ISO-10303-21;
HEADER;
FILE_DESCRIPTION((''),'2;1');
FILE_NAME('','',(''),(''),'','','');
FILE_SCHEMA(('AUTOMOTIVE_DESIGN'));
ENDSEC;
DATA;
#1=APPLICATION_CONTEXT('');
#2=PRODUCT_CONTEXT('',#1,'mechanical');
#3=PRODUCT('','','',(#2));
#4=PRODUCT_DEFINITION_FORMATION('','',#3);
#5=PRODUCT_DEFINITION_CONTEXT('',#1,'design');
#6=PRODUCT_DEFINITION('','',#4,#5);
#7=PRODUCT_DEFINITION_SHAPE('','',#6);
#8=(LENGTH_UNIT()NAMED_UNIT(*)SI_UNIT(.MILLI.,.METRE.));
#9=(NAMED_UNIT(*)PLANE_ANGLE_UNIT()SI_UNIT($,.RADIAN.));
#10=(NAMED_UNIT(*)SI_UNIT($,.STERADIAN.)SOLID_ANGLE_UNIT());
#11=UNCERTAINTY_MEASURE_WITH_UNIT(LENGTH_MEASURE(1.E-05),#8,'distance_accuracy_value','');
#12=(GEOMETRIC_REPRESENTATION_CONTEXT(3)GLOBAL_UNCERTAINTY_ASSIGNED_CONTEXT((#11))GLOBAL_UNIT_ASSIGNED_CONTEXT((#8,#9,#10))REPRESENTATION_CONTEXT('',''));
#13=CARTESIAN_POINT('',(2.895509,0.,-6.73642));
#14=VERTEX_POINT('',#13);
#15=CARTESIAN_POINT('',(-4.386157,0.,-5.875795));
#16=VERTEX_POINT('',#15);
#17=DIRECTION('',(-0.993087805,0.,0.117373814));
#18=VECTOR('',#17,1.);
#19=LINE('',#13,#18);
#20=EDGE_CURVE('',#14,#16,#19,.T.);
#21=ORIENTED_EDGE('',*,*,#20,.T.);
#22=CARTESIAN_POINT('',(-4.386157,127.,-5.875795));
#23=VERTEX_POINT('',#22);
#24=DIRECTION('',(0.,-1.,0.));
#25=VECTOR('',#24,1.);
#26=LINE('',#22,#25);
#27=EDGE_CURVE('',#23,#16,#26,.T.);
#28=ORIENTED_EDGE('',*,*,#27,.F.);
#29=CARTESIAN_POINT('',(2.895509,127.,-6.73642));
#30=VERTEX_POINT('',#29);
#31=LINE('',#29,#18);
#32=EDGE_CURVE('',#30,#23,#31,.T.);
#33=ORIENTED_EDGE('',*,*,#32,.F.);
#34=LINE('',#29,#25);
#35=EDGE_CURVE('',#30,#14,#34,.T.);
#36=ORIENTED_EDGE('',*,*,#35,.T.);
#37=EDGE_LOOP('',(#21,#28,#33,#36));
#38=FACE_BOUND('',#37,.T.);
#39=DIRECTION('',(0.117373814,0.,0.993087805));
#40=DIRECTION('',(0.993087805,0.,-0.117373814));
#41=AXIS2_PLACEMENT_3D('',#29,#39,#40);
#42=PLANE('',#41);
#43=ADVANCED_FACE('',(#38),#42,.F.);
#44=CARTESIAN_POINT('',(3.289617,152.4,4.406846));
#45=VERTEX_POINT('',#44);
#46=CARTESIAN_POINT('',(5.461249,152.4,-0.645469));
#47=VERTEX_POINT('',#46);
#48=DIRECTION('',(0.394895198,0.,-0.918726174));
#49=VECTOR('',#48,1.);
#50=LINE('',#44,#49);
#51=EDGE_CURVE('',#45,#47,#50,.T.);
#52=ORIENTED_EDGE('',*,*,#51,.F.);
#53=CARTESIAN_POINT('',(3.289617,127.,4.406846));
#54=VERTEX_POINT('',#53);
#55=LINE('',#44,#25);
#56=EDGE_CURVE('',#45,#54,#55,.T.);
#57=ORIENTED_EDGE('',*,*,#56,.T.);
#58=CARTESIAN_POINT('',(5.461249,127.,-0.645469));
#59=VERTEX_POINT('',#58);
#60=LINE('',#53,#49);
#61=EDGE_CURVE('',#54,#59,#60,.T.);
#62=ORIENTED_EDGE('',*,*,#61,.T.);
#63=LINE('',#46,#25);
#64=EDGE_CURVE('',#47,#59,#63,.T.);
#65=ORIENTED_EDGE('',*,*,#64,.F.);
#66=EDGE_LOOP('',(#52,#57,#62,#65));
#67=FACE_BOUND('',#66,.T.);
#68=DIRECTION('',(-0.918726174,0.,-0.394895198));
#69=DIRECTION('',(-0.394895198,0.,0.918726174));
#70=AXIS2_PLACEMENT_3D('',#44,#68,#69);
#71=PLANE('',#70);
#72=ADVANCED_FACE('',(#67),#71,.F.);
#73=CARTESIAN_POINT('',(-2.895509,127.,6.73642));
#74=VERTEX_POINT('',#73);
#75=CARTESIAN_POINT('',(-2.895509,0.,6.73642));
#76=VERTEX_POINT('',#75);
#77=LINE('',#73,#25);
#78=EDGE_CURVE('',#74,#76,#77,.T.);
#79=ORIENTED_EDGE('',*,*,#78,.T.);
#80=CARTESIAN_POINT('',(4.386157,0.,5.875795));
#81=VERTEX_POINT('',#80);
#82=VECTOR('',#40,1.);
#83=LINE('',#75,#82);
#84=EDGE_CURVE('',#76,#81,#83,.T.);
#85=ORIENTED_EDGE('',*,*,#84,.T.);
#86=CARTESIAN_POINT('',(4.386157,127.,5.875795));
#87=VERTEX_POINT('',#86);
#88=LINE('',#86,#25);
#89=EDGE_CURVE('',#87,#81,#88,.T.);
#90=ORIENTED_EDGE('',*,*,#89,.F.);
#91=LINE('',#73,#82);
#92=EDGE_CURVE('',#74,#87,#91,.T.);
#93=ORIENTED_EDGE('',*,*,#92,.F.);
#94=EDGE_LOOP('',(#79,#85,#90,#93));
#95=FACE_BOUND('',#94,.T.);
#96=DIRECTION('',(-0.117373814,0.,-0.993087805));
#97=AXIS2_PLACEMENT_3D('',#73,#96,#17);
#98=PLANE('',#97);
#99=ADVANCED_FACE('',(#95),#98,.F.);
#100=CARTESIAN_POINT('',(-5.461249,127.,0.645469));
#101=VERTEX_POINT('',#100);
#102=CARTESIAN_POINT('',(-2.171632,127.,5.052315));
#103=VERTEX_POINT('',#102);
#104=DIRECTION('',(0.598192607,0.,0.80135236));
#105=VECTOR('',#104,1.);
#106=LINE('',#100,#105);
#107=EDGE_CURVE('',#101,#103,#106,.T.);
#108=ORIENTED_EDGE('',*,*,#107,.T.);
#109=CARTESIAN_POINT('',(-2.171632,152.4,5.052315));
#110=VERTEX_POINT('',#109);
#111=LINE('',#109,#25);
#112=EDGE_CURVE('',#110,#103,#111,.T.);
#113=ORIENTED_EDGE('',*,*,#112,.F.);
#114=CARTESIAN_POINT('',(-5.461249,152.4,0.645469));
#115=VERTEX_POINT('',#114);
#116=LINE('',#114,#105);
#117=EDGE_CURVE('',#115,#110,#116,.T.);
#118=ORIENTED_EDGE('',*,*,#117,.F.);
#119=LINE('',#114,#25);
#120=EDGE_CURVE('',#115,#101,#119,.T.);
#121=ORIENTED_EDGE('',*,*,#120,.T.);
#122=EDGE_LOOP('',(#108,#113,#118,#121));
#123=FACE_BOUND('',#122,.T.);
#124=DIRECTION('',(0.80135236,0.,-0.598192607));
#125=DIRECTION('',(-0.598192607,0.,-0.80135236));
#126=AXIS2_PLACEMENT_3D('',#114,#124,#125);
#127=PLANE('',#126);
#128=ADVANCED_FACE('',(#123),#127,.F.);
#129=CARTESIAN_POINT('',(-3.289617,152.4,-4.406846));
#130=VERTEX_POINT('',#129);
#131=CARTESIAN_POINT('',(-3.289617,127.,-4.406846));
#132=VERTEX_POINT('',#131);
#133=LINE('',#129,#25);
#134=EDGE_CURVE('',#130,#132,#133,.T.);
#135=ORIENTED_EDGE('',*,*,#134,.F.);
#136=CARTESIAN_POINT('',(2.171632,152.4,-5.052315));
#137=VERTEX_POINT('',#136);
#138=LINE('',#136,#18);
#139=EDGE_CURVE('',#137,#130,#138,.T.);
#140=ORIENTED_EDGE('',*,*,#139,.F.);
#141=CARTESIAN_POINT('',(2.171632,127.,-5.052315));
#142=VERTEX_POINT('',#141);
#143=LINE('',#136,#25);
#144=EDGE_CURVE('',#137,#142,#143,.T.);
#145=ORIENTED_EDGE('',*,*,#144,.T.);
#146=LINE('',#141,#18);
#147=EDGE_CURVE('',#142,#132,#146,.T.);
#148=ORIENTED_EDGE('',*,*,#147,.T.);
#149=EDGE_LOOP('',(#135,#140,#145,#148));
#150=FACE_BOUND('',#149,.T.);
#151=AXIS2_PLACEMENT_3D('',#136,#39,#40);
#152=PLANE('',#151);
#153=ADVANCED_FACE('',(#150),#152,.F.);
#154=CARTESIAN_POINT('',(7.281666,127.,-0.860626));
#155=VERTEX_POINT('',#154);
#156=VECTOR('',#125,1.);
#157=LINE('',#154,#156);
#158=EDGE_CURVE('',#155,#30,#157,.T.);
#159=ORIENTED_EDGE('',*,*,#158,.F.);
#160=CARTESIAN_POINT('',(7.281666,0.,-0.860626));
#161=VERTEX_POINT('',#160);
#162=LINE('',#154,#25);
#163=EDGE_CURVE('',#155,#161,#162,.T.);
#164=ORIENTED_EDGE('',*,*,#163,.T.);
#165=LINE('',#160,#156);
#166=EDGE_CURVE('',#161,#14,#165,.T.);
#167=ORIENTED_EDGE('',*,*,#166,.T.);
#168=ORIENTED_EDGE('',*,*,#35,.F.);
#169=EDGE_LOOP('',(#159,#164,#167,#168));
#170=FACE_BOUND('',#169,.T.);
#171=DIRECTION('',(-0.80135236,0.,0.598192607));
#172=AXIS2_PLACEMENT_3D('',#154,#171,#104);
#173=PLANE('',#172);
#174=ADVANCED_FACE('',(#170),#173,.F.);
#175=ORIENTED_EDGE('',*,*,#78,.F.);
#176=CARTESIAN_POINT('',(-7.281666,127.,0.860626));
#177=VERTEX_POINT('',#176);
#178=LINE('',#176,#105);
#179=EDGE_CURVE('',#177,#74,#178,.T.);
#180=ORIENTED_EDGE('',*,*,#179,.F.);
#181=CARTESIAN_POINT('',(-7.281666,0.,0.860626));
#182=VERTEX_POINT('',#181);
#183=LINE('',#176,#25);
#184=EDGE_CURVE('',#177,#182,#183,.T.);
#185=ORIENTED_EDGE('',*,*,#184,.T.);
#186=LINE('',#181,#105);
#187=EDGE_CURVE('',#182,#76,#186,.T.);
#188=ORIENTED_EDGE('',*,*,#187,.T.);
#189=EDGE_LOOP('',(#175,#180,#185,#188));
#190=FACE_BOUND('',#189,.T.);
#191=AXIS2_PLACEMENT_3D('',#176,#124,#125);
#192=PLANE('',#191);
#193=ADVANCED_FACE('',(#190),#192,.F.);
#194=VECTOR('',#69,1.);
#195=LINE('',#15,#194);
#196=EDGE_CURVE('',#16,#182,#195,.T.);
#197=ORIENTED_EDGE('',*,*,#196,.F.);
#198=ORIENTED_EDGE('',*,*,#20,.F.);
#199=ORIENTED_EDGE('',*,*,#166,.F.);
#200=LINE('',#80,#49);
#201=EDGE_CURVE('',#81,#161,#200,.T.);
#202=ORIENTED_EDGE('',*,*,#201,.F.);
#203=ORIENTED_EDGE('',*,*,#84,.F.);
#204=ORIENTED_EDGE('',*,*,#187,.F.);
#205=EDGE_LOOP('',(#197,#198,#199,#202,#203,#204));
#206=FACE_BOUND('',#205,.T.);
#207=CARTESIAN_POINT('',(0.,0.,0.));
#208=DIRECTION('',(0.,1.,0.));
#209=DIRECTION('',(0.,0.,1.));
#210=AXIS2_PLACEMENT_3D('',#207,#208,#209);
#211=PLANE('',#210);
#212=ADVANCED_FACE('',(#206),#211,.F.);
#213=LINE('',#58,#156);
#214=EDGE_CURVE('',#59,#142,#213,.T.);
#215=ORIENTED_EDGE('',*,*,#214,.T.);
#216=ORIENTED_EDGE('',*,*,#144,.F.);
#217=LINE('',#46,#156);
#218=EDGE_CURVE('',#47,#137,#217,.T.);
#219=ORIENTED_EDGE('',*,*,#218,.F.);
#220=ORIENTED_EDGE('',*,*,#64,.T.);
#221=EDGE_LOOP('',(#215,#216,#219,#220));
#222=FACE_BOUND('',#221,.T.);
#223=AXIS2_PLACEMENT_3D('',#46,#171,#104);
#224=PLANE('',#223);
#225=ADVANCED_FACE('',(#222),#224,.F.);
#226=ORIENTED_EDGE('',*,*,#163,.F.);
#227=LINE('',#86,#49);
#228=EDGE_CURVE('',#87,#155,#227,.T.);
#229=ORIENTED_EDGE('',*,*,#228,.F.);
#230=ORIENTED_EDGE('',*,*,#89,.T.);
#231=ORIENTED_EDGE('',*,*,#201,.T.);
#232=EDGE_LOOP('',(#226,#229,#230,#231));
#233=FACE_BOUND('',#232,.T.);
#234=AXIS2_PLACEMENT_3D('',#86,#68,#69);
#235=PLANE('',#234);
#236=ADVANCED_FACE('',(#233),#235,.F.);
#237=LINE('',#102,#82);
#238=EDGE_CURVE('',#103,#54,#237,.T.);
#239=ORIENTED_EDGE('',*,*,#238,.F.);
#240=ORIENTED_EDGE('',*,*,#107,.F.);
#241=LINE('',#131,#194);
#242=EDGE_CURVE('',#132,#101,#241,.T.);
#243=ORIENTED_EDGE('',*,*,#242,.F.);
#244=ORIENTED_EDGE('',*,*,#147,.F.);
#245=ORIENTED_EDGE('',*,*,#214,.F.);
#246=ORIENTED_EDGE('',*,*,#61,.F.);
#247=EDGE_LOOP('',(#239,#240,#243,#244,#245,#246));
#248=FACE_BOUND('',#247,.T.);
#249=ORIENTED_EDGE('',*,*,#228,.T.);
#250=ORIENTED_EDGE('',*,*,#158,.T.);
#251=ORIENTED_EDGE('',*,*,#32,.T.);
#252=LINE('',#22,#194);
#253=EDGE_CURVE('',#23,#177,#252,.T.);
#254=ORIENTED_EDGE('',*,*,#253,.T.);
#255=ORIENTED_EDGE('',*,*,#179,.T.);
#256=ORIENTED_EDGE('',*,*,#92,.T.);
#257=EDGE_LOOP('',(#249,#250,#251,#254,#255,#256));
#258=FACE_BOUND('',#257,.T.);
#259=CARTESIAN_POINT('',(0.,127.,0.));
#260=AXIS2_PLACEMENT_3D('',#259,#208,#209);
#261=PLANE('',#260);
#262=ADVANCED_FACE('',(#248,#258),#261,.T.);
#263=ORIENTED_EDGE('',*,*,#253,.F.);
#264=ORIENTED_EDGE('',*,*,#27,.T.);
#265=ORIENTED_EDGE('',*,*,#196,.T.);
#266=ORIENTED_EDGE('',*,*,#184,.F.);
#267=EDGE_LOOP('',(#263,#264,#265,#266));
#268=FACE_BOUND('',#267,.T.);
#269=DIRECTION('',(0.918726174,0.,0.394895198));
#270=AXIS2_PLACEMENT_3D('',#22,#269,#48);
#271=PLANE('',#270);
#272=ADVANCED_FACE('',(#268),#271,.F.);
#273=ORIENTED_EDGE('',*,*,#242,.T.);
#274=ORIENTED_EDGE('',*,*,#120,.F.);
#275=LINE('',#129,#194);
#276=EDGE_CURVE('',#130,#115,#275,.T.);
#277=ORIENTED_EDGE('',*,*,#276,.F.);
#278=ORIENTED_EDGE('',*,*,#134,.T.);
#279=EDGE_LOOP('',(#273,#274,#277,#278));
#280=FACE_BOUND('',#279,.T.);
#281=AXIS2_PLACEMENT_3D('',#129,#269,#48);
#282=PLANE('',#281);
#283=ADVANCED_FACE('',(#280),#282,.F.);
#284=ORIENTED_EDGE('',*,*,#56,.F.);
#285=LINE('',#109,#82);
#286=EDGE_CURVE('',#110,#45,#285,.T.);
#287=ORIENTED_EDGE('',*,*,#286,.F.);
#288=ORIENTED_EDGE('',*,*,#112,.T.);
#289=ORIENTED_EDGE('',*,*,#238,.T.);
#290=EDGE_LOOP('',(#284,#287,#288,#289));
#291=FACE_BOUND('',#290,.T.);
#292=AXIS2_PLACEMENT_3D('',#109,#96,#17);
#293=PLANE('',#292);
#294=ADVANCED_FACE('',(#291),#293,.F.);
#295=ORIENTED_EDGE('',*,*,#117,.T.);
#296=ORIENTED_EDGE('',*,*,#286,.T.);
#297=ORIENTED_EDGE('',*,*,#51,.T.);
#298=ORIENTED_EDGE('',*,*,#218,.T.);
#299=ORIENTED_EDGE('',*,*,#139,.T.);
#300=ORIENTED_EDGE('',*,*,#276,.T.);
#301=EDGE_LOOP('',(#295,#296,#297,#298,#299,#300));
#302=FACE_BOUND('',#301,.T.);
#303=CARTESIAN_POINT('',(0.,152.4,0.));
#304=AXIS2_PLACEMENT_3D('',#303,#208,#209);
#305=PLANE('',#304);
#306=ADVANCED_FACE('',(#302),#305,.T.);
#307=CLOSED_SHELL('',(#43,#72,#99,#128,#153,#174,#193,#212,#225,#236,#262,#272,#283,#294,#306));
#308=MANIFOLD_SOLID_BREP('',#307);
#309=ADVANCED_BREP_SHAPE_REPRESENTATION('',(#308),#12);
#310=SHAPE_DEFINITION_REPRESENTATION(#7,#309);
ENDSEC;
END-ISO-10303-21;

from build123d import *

# Parameters (mm, degrees)
BOSS_EXTRUDE1_DEPTH = 127
BOSS_EXTRUDE2_DEPTH = 25.4


with BuildPart() as part:
    # Sketch1 → Boss-Extrude1 (new body)
    with BuildSketch(Plane(origin=(0, 0, 0), x_dir=(1, 0, 0), z_dir=(0, 1, 0))):
        Polygon((4.386156615, -5.875794711), (7.281665794, 0.860625698), (2.895509179, 6.736420409), (-4.386156615, 5.875794711), (-7.281665794, -0.860625698), (-2.895509179, -6.736420409), align=None)
    extrude(amount=BOSS_EXTRUDE1_DEPTH)

    # Sketch2 → Boss-Extrude2 (add)
    with BuildSketch(Plane(origin=(0, 127, 0), x_dir=(1, 0, 0), z_dir=(0, 1, 0))):
        Polygon((5.461249346, 0.645469274), (2.171631885, 5.052315307), (-3.289617461, 4.406846033), (-5.461249346, -0.645469274), (-2.171631885, -5.052315307), (3.289617461, -4.406846033), align=None)
    extrude(amount=BOSS_EXTRUDE2_DEPTH)


solid = part.part
